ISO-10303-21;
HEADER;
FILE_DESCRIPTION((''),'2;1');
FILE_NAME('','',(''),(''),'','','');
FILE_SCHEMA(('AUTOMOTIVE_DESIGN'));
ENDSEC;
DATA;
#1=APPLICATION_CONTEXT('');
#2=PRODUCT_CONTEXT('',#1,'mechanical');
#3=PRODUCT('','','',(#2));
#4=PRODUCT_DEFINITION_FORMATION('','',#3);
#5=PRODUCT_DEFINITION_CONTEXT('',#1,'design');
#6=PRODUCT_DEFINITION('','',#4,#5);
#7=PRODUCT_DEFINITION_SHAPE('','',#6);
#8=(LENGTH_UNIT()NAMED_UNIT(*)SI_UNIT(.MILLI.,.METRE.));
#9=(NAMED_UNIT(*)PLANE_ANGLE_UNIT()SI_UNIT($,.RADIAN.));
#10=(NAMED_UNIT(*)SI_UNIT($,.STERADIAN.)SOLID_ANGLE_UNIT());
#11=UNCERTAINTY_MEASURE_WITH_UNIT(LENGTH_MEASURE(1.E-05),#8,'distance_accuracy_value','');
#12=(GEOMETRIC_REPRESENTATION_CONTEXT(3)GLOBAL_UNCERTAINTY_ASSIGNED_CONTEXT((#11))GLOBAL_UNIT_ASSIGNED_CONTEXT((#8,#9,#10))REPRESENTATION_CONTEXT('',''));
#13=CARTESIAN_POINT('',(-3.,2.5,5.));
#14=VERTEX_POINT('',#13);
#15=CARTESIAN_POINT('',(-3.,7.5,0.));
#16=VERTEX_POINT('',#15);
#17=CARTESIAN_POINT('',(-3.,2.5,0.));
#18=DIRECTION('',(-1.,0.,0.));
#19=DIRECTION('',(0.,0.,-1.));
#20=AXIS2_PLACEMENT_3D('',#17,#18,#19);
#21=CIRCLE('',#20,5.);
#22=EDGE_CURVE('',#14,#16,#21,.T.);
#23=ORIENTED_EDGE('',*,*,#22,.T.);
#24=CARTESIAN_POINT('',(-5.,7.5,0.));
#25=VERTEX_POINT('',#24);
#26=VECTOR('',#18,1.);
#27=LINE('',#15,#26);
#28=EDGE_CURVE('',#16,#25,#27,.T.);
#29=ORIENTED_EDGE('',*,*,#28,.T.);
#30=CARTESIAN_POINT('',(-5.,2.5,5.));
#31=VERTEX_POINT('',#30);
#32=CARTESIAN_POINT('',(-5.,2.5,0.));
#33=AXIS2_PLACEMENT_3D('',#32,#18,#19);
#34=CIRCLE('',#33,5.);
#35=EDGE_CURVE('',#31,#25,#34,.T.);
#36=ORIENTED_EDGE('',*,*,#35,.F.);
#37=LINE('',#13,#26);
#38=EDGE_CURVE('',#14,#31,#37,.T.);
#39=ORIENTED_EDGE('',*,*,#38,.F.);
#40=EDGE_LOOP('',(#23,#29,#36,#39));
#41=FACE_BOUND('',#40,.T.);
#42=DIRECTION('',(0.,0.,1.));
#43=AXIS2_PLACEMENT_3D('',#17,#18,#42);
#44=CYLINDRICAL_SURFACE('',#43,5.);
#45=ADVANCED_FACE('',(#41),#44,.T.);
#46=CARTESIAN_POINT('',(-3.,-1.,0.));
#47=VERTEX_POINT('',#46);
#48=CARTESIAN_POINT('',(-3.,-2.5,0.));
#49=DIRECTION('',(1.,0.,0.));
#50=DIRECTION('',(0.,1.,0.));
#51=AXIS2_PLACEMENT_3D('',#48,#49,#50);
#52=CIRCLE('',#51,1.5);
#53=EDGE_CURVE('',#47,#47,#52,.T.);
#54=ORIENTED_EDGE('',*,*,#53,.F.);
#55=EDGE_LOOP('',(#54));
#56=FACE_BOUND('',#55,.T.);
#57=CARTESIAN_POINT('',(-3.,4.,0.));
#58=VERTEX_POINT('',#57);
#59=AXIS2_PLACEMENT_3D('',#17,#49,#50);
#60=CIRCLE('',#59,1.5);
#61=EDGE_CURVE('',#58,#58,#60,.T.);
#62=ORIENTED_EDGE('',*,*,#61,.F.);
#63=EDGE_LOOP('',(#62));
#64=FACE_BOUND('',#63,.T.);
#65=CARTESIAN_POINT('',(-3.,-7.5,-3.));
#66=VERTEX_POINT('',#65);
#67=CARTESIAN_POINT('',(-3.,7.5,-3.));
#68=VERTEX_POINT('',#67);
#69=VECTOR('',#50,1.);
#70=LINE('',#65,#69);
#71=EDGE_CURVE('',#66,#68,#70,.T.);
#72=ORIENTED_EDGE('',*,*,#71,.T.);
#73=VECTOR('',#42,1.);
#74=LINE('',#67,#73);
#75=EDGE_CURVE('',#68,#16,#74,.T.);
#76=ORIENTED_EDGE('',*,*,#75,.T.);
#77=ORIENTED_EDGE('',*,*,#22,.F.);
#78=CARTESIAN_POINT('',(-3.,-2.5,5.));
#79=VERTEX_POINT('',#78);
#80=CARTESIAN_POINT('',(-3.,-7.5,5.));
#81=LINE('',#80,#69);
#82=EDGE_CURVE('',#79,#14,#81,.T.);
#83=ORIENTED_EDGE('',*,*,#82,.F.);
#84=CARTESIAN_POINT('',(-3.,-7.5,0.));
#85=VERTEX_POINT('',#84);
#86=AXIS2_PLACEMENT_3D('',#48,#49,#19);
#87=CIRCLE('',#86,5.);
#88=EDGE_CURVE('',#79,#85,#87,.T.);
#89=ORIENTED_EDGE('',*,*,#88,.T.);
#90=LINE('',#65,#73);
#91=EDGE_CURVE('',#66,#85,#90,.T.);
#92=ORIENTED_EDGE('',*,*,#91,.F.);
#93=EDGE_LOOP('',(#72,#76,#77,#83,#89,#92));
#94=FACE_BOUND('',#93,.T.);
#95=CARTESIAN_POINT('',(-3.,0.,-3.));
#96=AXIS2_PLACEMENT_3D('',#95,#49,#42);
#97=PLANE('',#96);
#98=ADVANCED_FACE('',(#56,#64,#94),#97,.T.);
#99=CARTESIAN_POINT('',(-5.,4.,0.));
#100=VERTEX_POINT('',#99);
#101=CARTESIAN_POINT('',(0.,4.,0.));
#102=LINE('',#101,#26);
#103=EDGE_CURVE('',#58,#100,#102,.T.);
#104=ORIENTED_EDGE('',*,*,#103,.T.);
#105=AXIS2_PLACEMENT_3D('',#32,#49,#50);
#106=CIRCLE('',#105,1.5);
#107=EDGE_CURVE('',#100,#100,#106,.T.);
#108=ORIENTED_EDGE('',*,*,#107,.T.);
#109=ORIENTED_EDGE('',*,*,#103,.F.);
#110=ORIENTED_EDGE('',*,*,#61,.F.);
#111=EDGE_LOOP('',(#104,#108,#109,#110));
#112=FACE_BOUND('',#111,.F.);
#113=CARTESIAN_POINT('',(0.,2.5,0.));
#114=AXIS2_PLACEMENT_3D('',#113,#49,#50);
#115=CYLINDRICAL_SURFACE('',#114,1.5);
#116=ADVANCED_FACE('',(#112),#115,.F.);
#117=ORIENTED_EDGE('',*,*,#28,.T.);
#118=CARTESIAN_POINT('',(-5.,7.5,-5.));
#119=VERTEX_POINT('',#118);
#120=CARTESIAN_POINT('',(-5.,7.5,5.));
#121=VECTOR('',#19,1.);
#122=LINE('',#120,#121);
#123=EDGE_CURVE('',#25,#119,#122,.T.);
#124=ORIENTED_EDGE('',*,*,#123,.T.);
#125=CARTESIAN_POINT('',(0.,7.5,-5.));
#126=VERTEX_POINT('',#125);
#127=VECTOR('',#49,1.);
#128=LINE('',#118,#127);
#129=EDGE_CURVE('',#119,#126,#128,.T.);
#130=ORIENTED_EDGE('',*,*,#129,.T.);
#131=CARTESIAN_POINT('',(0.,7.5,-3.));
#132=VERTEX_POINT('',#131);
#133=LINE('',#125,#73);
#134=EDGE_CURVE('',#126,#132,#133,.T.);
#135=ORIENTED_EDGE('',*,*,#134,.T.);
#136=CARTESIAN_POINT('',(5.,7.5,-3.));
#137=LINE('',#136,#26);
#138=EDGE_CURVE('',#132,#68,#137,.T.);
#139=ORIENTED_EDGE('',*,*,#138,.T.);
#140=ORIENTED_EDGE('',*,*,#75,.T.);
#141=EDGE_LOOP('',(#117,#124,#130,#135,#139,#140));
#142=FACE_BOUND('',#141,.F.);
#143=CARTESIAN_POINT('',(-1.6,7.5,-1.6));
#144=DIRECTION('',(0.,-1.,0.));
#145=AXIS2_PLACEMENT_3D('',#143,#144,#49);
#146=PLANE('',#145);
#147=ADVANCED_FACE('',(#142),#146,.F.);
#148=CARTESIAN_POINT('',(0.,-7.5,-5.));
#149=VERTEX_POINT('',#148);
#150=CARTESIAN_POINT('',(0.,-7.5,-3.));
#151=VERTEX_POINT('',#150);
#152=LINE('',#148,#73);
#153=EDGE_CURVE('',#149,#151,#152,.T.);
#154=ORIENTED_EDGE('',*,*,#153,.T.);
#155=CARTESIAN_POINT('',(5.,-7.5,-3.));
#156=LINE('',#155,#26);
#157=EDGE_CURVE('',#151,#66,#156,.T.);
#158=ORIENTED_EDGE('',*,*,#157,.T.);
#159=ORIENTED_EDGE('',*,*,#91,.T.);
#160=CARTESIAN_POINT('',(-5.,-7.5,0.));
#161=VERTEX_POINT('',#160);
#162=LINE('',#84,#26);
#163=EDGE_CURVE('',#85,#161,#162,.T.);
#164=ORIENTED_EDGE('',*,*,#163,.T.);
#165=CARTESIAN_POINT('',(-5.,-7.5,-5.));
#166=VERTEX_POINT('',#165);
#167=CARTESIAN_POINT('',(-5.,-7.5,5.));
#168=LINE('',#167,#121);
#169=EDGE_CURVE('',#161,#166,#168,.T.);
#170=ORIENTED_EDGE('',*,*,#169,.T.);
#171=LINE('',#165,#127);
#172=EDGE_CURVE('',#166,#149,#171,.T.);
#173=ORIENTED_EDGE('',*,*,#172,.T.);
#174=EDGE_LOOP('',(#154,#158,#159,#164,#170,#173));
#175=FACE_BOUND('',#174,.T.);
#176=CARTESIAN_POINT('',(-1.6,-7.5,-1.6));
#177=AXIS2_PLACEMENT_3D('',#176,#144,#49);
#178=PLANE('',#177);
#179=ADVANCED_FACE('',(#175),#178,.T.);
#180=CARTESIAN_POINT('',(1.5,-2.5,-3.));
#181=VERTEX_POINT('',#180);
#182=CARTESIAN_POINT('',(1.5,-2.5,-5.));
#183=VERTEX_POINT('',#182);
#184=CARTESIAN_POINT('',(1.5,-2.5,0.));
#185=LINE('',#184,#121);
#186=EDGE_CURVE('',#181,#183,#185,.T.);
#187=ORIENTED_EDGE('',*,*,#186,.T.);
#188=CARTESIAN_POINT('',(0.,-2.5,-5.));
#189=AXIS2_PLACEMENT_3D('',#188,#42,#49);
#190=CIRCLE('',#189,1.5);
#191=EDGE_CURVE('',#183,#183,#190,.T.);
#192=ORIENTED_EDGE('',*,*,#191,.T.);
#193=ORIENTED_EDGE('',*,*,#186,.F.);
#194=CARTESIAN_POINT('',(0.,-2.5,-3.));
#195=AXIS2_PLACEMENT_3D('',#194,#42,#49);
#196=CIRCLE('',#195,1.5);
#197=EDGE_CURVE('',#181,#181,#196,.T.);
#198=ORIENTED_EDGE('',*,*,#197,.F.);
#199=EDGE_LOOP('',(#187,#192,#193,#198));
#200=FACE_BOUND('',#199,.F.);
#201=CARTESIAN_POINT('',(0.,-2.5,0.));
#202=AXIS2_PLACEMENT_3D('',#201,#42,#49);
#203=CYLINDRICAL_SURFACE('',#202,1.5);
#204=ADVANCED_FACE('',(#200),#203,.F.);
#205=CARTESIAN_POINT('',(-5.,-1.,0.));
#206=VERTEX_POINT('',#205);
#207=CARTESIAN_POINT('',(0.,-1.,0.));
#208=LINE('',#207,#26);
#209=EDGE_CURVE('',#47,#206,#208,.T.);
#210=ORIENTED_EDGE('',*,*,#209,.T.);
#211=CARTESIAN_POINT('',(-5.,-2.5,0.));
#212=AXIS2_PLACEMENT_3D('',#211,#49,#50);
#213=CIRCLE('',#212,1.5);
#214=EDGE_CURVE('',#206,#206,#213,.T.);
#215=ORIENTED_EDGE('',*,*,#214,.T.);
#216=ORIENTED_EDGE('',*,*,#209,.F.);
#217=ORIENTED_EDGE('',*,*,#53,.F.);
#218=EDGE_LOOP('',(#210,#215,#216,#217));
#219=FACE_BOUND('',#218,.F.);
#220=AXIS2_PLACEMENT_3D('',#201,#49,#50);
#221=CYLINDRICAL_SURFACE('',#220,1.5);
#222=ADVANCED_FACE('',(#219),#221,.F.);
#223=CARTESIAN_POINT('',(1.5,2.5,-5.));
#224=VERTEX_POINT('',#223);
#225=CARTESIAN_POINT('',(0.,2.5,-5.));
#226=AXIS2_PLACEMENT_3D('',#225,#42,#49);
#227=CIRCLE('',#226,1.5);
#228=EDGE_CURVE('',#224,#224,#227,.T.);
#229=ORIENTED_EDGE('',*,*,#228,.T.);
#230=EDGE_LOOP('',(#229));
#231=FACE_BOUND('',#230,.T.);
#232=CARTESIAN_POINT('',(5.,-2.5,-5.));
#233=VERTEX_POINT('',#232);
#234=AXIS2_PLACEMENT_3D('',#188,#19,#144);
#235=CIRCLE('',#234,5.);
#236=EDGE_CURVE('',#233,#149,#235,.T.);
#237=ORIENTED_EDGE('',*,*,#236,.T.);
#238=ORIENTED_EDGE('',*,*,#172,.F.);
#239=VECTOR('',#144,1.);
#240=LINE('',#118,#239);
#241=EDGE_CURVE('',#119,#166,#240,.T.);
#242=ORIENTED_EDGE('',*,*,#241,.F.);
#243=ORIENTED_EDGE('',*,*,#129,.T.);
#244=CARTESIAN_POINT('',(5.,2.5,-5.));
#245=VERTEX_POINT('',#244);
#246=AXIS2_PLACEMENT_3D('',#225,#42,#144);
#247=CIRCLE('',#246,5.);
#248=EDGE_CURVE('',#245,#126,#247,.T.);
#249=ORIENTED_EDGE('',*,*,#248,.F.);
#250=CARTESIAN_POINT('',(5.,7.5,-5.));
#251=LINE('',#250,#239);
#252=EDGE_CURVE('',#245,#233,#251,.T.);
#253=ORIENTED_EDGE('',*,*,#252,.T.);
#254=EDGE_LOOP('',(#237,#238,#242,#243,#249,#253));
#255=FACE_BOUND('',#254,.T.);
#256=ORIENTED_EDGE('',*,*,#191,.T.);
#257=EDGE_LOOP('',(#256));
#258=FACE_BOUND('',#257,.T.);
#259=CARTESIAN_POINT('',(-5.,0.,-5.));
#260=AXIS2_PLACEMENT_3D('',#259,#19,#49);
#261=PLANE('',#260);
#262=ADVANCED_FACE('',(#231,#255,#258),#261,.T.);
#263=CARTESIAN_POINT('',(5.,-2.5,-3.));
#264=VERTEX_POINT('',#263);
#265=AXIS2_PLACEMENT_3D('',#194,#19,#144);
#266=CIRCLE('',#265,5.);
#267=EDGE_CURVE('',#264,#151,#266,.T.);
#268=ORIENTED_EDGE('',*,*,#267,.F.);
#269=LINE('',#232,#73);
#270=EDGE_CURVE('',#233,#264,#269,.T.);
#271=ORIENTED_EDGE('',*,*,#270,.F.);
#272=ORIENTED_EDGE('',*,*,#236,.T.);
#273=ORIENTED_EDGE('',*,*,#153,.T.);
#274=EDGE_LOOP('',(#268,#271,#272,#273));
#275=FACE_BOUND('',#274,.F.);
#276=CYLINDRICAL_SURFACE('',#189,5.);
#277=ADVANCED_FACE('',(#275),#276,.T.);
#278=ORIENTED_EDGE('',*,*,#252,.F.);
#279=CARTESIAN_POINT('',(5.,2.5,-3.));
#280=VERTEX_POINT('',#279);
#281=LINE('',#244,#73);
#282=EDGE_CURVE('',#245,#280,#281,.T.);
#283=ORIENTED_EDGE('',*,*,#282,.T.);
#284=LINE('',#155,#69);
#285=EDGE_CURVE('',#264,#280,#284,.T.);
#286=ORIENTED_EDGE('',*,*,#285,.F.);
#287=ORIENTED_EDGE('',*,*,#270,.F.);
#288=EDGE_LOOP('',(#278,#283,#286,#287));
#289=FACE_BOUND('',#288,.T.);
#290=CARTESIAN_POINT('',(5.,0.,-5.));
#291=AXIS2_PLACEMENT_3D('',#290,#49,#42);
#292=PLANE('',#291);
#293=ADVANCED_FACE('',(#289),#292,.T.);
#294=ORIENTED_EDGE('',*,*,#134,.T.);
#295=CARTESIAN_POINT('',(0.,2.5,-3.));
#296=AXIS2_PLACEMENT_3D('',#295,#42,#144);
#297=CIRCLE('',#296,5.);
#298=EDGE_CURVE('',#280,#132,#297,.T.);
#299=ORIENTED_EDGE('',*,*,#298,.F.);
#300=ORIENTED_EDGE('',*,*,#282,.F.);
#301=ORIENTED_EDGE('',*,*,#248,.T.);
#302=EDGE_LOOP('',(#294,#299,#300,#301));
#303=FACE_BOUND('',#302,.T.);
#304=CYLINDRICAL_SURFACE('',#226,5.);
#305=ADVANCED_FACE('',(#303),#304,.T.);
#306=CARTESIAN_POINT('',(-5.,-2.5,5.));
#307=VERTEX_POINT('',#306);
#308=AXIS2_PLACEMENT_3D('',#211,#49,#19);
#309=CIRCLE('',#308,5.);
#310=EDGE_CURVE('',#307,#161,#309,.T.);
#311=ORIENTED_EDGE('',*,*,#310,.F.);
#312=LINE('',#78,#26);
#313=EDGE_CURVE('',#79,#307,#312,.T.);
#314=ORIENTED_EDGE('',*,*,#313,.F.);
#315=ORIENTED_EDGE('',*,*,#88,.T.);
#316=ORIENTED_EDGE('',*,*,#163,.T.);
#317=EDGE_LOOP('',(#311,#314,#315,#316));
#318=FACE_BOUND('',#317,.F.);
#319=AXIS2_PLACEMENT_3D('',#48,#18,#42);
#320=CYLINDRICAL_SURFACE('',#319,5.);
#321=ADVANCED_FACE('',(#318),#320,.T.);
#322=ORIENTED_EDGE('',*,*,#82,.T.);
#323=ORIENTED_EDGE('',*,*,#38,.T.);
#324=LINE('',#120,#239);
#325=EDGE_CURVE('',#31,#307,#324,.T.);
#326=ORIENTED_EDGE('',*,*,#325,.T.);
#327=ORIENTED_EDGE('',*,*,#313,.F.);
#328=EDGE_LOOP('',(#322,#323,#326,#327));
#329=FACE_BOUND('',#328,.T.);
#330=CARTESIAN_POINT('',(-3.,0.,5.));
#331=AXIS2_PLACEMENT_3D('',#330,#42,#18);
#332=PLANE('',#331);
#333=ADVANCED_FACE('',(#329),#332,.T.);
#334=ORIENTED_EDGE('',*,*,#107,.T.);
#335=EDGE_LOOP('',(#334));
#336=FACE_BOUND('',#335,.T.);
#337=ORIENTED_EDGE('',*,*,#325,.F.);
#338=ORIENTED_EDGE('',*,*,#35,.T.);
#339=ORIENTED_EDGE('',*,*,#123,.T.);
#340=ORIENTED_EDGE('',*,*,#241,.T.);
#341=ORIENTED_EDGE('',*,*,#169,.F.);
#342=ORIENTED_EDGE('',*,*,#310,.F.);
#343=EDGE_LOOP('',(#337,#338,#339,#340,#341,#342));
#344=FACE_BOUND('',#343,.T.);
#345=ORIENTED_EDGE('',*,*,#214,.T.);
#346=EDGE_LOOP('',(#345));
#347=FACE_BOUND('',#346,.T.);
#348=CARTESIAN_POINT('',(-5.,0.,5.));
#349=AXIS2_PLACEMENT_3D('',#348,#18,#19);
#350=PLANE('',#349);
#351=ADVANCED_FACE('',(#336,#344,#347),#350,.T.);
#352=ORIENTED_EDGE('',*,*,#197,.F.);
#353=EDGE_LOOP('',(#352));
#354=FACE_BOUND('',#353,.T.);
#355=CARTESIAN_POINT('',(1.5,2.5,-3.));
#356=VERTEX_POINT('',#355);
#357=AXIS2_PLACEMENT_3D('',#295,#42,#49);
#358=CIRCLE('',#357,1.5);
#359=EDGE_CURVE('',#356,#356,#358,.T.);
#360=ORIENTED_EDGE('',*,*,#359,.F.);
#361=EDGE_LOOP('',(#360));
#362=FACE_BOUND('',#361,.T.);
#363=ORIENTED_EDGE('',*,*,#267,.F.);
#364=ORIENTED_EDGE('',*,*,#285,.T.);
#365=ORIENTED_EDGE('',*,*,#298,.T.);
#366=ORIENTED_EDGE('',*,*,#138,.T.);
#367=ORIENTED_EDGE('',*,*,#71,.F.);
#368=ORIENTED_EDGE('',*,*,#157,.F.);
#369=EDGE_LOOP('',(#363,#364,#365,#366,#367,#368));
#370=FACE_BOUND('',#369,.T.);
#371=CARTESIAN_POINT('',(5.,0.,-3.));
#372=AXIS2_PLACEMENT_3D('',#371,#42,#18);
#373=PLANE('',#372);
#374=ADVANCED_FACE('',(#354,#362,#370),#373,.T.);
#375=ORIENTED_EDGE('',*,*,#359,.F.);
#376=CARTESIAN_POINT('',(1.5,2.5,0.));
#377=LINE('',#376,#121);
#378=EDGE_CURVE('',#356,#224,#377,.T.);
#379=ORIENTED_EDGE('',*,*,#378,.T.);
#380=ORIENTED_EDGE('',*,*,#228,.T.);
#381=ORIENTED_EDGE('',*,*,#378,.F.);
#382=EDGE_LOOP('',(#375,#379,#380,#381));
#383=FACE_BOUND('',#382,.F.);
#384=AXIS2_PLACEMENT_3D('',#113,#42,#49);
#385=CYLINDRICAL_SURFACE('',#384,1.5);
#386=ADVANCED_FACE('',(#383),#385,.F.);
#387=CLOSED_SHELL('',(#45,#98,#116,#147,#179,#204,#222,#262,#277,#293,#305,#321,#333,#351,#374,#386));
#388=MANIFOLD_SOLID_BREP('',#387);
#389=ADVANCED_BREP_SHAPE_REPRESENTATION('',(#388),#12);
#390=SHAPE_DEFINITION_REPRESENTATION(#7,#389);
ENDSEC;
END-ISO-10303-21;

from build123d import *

# Parameters (mm, degrees)
F1_DEPTH = 7.5
F2_R     = 5
F3_R     = 1.5
F4_DEPTH = 5
F5_R     = 1.5
F6_DEPTH = 5


with BuildPart() as f1:
    # F0 (on Front) → F1 (new body, symmetric)
    with BuildSketch(Plane.XZ):
        Polygon((-3, 5), (-5, 5), (-5, -5), (5, -5), (5, -3), (-3, -3), align=None)
    extrude(amount=F1_DEPTH, both=True)

    # F2
    f2_edges = [f1.edges().sort_by_distance(p)[0] for p in [
        (-4, -7.5, 5),
        (-4, 7.5, 5),
        (5, -7.5, -4),
        (5, 7.5, -4),
    ]]
    fillet(f2_edges, radius=F2_R)

    # F3 (on Right) → F4 (cut)
    with BuildSketch(Plane.YZ):
        with Locations((-2.5, 0)):
            Circle(F3_R)
        with Locations((2.5, 0)):
            Circle(F3_R)
    extrude(amount=-F4_DEPTH, mode=Mode.SUBTRACT)

    # F5 (on Top) → F6 (cut)
    with BuildSketch(Plane.XY):
        with Locations((0, 2.5)):
            Circle(F5_R)
        with Locations((0, -2.5)):
            Circle(F5_R)
    extrude(amount=-F6_DEPTH, mode=Mode.SUBTRACT)


solid = f1.part
